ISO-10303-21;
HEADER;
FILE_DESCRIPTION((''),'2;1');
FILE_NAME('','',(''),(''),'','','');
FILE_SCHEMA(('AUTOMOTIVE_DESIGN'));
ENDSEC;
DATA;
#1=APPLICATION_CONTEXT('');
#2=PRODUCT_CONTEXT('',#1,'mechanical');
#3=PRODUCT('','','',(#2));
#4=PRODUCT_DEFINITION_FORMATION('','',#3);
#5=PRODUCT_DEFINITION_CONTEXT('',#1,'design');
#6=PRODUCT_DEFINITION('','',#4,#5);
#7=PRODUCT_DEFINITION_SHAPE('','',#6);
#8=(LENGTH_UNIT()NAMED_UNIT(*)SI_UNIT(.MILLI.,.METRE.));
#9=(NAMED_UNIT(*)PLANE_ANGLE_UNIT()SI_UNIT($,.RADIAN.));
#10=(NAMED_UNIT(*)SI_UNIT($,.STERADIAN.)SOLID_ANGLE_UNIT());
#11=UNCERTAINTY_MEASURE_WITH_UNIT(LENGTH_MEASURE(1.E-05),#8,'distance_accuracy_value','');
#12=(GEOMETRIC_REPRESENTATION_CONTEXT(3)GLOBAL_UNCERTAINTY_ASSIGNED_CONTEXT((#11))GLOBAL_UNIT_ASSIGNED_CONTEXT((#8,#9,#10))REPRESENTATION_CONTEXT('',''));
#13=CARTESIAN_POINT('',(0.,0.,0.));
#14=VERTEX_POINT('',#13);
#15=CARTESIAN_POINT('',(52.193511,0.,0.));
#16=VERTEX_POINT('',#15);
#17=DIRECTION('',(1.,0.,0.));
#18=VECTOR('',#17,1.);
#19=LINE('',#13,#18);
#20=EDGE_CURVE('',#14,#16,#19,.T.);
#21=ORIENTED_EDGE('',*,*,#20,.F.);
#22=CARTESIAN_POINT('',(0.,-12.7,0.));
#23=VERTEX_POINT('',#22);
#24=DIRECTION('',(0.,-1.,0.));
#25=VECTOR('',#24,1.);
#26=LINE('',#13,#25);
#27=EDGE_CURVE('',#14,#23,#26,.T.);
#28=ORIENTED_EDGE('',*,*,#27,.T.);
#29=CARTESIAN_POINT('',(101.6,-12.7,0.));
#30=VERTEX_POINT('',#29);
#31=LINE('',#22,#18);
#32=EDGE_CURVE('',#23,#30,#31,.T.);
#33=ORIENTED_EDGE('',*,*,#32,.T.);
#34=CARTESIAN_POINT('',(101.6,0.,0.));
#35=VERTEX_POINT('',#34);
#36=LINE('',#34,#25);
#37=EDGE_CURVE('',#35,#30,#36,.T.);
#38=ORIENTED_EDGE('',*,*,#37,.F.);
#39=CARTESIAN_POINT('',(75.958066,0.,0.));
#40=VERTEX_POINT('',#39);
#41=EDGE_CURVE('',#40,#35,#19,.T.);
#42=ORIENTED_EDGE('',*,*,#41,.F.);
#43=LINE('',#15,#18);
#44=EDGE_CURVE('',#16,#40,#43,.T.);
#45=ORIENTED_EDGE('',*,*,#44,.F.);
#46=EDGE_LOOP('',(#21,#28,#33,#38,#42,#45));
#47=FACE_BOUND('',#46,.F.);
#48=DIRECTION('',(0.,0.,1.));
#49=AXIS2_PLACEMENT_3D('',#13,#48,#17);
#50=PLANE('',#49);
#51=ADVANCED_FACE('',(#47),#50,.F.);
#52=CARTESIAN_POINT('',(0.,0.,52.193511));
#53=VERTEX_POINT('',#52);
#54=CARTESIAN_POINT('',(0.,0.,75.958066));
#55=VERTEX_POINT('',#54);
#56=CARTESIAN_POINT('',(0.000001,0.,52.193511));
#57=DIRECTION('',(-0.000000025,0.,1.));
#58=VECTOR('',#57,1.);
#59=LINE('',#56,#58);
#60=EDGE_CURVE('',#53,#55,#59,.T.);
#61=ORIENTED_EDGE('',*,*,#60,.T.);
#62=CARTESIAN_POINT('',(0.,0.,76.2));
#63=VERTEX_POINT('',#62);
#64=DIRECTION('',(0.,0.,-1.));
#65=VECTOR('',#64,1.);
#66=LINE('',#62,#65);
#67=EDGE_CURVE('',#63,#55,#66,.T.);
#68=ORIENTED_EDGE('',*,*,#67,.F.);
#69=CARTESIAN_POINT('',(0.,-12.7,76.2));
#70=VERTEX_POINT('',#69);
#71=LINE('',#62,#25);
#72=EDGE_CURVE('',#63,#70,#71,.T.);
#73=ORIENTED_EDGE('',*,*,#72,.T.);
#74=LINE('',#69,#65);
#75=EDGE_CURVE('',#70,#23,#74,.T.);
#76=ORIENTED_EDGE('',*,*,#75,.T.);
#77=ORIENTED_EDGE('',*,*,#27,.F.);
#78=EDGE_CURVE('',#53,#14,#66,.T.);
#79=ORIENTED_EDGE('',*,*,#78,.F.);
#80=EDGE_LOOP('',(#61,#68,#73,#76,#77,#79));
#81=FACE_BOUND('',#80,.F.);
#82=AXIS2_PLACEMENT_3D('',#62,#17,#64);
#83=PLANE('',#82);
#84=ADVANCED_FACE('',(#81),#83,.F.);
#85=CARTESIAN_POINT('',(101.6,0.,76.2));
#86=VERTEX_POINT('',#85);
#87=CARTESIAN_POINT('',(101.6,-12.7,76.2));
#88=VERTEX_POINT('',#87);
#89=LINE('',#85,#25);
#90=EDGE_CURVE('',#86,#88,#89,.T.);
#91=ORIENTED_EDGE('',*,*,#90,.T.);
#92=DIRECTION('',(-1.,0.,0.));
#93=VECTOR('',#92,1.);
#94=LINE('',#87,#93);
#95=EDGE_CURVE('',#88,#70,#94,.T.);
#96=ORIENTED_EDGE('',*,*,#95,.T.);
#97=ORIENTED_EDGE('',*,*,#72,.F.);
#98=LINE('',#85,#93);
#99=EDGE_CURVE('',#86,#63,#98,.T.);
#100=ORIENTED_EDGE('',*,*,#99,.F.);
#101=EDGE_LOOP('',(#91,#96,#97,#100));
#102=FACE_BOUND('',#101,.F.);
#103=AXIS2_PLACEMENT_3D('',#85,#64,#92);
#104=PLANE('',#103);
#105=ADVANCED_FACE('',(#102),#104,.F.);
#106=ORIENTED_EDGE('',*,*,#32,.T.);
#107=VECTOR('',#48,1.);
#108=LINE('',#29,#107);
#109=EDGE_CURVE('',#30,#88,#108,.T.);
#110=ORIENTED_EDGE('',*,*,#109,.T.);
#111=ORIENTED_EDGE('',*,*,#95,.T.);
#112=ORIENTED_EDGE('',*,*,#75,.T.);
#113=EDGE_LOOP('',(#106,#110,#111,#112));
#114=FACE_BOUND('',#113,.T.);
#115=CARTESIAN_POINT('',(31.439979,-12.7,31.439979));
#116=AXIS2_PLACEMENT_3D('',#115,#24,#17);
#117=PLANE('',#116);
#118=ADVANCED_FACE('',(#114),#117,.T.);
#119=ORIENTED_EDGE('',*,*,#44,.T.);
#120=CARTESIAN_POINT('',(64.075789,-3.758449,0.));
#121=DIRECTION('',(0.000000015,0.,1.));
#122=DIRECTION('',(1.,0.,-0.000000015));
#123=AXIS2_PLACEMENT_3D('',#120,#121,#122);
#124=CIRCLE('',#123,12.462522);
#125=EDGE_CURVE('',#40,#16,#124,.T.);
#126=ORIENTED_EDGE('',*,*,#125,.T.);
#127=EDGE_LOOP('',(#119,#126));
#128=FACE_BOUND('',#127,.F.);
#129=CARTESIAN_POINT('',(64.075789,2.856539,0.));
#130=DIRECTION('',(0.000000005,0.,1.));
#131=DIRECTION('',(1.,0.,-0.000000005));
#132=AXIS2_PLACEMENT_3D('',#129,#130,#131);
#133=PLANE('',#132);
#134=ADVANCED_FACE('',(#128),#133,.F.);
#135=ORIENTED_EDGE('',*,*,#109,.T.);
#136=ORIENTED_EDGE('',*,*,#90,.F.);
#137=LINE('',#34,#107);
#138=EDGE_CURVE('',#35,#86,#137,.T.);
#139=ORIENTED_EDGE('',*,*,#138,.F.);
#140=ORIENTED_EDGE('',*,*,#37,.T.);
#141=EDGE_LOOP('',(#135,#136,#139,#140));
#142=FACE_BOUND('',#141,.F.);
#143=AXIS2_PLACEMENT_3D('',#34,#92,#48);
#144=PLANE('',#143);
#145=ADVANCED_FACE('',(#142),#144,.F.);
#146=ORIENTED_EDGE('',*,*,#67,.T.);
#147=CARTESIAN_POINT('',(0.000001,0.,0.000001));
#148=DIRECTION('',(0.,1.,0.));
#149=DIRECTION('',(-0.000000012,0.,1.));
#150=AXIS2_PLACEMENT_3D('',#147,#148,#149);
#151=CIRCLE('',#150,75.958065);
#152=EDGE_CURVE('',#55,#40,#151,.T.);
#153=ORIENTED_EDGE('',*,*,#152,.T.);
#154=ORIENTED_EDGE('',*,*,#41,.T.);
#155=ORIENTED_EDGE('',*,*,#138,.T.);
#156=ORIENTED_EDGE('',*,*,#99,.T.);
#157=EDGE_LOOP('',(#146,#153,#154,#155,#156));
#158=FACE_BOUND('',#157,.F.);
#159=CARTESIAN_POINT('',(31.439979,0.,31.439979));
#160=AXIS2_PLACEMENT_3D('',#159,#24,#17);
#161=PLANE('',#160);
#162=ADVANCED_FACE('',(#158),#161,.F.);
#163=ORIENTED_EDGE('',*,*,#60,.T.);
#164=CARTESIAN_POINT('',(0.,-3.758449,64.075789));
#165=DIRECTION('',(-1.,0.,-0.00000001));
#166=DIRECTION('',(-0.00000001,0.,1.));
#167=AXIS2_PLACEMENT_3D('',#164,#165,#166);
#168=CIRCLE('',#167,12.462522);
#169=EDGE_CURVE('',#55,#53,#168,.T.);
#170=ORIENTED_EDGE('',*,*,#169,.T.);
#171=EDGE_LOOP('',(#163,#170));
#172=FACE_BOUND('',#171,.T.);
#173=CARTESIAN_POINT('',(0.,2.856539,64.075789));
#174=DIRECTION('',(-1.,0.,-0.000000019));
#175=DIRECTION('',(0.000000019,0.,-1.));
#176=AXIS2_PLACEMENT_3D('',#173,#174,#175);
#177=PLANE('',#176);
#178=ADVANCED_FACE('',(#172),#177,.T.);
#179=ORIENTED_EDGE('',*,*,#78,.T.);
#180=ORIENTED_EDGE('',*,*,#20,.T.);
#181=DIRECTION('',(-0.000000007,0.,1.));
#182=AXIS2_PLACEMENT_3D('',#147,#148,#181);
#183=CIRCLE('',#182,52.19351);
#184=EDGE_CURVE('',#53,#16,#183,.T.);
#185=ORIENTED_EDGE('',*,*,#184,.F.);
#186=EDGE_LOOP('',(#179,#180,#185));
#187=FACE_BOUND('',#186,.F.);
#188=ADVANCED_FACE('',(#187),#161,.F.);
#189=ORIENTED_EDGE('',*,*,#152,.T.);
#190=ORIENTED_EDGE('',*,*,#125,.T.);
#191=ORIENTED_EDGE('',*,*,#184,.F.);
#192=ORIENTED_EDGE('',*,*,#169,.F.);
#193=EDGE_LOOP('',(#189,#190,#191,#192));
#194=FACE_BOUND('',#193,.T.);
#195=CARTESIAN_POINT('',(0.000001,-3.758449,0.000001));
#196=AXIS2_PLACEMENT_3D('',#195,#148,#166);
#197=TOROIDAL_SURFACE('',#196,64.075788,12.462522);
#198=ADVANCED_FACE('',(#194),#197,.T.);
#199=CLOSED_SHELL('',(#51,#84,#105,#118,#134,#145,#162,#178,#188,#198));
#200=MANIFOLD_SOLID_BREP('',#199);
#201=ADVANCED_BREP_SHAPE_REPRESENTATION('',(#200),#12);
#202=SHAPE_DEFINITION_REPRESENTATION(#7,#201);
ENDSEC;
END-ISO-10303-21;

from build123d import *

# Parameters (mm, degrees)
F3_DEPTH = 12.7


with BuildPart() as f2:
    # F2: sweep along a path in F0
    with BuildLine(Plane.XZ) as f2_path:
        ThreePointArc((0, 76.2), (53.881537, 53.881537), (76.2, 0))
    # F1 (on Top) → F2 (sweep)
    with BuildSketch(Plane.XY):
        with BuildLine():
            Line((52.193511, 0), (75.958066, 0))
            ThreePointArc((75.958066, 0), (64.075788, 8.704073), (52.193511, 0))
        make_face()
    sweep(path=f2_path.line)

    # F0 (on Front) → F3 (join)
    with BuildSketch(Plane.XZ):
        with BuildLine():
            Line((0, 76.2), (0, 0))
            Line((0, 0), (76.2, 0))
            ThreePointArc((76.2, 0), (53.881537, 53.881537), (0, 76.2))
        make_face()
        with BuildLine():
            ThreePointArc((0, 76.2), (53.881537, 53.881537), (76.2, 0))
            Line((76.2, 0), (101.6, 0))
            Line((101.6, 0), (101.6, 76.2))
            Line((101.6, 76.2), (0, 76.2))
        make_face()
    extrude(amount=F3_DEPTH)


solid = f2.part
